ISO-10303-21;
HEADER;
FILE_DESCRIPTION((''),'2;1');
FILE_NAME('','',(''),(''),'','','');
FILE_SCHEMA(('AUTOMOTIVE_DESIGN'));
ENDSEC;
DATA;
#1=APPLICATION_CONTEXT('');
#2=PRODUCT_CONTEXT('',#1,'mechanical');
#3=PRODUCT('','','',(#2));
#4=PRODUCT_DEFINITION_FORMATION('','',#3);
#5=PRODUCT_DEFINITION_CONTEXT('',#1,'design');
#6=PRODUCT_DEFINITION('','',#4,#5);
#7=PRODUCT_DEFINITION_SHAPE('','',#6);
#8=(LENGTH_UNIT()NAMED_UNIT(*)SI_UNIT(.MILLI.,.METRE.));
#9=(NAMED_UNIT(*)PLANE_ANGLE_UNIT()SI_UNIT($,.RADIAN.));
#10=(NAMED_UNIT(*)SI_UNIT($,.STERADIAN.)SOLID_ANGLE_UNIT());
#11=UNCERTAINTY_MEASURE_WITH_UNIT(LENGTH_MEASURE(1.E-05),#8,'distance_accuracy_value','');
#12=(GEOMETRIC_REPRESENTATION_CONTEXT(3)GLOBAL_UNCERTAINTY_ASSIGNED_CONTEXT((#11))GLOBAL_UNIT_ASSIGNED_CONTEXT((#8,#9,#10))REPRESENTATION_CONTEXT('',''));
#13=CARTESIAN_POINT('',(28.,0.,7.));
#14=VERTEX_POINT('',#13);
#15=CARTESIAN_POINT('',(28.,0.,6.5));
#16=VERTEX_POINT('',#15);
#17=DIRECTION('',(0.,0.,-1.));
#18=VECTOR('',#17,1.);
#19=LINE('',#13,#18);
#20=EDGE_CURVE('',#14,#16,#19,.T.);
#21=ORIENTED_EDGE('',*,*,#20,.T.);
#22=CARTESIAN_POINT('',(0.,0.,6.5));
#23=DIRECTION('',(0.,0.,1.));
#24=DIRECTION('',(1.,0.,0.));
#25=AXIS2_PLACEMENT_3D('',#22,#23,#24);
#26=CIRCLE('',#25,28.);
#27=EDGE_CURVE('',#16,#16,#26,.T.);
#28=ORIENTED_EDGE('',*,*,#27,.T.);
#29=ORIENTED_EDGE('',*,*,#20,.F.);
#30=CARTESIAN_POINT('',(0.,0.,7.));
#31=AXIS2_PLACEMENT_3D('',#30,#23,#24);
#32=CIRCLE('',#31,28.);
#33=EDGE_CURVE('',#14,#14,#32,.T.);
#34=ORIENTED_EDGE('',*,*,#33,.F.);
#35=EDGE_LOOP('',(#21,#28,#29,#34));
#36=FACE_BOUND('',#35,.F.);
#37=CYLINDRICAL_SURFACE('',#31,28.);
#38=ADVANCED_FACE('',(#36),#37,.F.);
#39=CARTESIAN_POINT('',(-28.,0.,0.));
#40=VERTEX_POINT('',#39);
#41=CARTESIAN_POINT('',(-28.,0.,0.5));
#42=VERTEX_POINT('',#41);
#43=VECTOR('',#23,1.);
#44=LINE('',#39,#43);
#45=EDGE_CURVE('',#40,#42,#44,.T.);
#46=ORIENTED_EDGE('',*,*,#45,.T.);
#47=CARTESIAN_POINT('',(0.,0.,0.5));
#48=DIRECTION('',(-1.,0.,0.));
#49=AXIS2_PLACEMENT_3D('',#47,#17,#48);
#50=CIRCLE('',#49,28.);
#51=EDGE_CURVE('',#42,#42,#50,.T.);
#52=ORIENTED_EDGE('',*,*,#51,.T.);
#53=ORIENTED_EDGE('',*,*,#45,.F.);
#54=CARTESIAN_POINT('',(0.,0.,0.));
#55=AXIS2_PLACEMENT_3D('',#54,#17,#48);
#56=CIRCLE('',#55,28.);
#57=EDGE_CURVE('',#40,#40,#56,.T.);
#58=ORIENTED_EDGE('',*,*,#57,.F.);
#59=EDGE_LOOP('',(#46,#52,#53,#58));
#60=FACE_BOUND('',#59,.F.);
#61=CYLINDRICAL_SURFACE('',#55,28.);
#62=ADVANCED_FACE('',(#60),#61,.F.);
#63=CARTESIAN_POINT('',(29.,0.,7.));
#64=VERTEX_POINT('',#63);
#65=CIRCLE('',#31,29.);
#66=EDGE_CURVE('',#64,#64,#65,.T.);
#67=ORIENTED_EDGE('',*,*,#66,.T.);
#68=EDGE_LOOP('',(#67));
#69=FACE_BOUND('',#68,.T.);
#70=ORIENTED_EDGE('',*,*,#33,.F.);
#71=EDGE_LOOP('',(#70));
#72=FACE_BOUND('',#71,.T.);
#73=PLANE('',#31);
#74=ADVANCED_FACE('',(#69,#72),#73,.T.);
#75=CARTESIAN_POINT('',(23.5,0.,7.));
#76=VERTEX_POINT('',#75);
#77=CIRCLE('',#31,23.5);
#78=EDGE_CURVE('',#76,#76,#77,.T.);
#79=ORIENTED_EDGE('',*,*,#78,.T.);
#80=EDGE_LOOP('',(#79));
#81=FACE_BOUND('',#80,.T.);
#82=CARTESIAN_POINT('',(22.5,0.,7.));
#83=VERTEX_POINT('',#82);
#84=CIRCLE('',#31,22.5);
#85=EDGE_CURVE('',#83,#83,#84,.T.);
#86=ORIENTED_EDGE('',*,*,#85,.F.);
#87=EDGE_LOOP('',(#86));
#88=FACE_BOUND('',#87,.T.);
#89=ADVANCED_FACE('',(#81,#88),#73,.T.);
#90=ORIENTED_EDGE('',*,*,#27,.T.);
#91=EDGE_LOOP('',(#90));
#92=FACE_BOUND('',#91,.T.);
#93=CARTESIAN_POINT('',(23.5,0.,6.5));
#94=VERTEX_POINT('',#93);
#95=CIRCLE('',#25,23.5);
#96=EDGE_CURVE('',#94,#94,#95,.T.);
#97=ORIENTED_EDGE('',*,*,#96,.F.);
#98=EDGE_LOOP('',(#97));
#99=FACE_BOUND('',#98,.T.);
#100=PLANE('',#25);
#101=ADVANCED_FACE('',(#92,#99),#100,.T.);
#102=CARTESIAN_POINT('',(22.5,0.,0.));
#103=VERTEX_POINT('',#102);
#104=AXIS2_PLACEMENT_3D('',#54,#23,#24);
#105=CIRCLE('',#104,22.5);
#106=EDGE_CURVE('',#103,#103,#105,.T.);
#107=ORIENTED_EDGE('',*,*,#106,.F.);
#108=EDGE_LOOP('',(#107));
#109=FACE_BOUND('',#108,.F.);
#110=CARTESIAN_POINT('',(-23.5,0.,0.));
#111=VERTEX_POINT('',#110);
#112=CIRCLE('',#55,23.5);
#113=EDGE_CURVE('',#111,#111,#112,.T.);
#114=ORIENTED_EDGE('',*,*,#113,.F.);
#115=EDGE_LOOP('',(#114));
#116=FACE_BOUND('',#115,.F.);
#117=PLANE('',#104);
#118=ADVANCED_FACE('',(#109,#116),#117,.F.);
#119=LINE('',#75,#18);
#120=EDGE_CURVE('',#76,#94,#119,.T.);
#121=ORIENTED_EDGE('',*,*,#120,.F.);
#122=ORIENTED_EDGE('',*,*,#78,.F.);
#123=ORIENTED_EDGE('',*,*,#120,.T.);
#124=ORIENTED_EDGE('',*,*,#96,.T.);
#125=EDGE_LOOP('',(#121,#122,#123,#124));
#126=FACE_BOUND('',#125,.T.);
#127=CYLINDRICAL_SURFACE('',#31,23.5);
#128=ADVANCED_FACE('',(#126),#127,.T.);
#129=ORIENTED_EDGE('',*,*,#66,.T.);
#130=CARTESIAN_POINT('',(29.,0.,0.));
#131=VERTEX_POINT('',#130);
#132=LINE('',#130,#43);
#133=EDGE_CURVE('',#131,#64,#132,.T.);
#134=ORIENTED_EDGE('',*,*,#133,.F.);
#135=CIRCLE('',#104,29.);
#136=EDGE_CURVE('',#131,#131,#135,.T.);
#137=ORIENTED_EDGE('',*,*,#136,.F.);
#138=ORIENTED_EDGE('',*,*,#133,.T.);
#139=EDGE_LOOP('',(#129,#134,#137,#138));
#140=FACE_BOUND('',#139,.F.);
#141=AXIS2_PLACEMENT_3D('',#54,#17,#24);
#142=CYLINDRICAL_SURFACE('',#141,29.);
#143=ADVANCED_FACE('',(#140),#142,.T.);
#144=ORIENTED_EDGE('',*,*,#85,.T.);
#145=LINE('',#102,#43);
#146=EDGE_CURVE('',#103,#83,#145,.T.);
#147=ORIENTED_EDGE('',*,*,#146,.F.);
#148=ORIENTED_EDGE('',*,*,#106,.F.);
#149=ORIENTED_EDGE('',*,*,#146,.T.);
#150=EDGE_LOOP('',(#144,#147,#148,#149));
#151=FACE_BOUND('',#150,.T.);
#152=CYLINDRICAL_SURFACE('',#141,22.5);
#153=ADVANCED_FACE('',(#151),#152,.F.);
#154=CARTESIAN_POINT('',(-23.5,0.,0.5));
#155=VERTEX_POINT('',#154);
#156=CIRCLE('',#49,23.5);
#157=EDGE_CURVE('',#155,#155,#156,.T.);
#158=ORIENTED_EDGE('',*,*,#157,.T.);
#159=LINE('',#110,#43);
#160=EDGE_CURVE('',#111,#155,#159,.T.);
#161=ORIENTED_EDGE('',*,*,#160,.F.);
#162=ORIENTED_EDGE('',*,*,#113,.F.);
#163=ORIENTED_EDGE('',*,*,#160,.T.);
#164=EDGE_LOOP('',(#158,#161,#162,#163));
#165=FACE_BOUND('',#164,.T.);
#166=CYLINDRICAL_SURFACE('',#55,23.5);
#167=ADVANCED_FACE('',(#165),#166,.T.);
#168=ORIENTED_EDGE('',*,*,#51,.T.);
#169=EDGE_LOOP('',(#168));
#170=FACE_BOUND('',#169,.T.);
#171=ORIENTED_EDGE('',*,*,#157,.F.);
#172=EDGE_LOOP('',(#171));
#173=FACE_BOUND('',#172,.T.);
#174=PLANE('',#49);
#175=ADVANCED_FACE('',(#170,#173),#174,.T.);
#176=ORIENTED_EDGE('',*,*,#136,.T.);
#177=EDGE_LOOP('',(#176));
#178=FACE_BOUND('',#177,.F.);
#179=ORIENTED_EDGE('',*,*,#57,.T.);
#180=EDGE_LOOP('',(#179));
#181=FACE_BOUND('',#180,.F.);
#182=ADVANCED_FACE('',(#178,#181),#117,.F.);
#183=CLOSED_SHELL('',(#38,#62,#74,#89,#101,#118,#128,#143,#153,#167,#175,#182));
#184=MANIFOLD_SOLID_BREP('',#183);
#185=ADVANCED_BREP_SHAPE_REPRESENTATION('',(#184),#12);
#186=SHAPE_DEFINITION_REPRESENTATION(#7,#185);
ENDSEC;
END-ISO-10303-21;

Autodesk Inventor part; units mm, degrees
ref_plane "YZ Plane" through (0, 0, 0) normal (1, 0, 0) x (0, 1, 0)
ref_plane "XZ Plane" through (0, 0, 0) normal (0, 1, 0) x (-1, 0, 0)
ref_plane "XY Plane" through (0, 0, 0) normal (0, 0, 1) x (1, 0, 0)
sketch "Sketch1" plane through (0, 0, 0) normal (0, 0, 1) x (1, 0, 0)
  circle A0 centre (0, 0) radius 29
  circle A1 centre (0, 0) radius 22.5
  dimension "d0" = 58
  dimension "d1" = 45
extrude "Extrusion1" add sketch "Sketch1" along normal blind 7
sketch "Sketch2" plane through (0, 0, 7) normal (0, 0, 1) x (1, 0, 0)
  circle A0 centre (0, 0) radius 29 projected
  circle A1 centre (0, 0) radius 22.5 projected
  circle A2 centre (0, 0) radius 28
  circle A3 centre (0, 0) radius 23.5
  dimension "d4" = 1
  dimension "d5" = 1
extrude "Extrusion2" cut sketch "Sketch2" against normal blind 0.5 contours A2
sketch "Sketch3" plane through (0, 0, 0) normal (0, 0, -1) x (-1, 0, 0)
  circle A0 centre (0, 0) radius 28 projected
  circle A1 centre (0, 0) radius 23.5 projected
extrude "Extrusion3" cut sketch "Sketch3" against normal blind 0.5
properties part number "bearing_58x45x7"
